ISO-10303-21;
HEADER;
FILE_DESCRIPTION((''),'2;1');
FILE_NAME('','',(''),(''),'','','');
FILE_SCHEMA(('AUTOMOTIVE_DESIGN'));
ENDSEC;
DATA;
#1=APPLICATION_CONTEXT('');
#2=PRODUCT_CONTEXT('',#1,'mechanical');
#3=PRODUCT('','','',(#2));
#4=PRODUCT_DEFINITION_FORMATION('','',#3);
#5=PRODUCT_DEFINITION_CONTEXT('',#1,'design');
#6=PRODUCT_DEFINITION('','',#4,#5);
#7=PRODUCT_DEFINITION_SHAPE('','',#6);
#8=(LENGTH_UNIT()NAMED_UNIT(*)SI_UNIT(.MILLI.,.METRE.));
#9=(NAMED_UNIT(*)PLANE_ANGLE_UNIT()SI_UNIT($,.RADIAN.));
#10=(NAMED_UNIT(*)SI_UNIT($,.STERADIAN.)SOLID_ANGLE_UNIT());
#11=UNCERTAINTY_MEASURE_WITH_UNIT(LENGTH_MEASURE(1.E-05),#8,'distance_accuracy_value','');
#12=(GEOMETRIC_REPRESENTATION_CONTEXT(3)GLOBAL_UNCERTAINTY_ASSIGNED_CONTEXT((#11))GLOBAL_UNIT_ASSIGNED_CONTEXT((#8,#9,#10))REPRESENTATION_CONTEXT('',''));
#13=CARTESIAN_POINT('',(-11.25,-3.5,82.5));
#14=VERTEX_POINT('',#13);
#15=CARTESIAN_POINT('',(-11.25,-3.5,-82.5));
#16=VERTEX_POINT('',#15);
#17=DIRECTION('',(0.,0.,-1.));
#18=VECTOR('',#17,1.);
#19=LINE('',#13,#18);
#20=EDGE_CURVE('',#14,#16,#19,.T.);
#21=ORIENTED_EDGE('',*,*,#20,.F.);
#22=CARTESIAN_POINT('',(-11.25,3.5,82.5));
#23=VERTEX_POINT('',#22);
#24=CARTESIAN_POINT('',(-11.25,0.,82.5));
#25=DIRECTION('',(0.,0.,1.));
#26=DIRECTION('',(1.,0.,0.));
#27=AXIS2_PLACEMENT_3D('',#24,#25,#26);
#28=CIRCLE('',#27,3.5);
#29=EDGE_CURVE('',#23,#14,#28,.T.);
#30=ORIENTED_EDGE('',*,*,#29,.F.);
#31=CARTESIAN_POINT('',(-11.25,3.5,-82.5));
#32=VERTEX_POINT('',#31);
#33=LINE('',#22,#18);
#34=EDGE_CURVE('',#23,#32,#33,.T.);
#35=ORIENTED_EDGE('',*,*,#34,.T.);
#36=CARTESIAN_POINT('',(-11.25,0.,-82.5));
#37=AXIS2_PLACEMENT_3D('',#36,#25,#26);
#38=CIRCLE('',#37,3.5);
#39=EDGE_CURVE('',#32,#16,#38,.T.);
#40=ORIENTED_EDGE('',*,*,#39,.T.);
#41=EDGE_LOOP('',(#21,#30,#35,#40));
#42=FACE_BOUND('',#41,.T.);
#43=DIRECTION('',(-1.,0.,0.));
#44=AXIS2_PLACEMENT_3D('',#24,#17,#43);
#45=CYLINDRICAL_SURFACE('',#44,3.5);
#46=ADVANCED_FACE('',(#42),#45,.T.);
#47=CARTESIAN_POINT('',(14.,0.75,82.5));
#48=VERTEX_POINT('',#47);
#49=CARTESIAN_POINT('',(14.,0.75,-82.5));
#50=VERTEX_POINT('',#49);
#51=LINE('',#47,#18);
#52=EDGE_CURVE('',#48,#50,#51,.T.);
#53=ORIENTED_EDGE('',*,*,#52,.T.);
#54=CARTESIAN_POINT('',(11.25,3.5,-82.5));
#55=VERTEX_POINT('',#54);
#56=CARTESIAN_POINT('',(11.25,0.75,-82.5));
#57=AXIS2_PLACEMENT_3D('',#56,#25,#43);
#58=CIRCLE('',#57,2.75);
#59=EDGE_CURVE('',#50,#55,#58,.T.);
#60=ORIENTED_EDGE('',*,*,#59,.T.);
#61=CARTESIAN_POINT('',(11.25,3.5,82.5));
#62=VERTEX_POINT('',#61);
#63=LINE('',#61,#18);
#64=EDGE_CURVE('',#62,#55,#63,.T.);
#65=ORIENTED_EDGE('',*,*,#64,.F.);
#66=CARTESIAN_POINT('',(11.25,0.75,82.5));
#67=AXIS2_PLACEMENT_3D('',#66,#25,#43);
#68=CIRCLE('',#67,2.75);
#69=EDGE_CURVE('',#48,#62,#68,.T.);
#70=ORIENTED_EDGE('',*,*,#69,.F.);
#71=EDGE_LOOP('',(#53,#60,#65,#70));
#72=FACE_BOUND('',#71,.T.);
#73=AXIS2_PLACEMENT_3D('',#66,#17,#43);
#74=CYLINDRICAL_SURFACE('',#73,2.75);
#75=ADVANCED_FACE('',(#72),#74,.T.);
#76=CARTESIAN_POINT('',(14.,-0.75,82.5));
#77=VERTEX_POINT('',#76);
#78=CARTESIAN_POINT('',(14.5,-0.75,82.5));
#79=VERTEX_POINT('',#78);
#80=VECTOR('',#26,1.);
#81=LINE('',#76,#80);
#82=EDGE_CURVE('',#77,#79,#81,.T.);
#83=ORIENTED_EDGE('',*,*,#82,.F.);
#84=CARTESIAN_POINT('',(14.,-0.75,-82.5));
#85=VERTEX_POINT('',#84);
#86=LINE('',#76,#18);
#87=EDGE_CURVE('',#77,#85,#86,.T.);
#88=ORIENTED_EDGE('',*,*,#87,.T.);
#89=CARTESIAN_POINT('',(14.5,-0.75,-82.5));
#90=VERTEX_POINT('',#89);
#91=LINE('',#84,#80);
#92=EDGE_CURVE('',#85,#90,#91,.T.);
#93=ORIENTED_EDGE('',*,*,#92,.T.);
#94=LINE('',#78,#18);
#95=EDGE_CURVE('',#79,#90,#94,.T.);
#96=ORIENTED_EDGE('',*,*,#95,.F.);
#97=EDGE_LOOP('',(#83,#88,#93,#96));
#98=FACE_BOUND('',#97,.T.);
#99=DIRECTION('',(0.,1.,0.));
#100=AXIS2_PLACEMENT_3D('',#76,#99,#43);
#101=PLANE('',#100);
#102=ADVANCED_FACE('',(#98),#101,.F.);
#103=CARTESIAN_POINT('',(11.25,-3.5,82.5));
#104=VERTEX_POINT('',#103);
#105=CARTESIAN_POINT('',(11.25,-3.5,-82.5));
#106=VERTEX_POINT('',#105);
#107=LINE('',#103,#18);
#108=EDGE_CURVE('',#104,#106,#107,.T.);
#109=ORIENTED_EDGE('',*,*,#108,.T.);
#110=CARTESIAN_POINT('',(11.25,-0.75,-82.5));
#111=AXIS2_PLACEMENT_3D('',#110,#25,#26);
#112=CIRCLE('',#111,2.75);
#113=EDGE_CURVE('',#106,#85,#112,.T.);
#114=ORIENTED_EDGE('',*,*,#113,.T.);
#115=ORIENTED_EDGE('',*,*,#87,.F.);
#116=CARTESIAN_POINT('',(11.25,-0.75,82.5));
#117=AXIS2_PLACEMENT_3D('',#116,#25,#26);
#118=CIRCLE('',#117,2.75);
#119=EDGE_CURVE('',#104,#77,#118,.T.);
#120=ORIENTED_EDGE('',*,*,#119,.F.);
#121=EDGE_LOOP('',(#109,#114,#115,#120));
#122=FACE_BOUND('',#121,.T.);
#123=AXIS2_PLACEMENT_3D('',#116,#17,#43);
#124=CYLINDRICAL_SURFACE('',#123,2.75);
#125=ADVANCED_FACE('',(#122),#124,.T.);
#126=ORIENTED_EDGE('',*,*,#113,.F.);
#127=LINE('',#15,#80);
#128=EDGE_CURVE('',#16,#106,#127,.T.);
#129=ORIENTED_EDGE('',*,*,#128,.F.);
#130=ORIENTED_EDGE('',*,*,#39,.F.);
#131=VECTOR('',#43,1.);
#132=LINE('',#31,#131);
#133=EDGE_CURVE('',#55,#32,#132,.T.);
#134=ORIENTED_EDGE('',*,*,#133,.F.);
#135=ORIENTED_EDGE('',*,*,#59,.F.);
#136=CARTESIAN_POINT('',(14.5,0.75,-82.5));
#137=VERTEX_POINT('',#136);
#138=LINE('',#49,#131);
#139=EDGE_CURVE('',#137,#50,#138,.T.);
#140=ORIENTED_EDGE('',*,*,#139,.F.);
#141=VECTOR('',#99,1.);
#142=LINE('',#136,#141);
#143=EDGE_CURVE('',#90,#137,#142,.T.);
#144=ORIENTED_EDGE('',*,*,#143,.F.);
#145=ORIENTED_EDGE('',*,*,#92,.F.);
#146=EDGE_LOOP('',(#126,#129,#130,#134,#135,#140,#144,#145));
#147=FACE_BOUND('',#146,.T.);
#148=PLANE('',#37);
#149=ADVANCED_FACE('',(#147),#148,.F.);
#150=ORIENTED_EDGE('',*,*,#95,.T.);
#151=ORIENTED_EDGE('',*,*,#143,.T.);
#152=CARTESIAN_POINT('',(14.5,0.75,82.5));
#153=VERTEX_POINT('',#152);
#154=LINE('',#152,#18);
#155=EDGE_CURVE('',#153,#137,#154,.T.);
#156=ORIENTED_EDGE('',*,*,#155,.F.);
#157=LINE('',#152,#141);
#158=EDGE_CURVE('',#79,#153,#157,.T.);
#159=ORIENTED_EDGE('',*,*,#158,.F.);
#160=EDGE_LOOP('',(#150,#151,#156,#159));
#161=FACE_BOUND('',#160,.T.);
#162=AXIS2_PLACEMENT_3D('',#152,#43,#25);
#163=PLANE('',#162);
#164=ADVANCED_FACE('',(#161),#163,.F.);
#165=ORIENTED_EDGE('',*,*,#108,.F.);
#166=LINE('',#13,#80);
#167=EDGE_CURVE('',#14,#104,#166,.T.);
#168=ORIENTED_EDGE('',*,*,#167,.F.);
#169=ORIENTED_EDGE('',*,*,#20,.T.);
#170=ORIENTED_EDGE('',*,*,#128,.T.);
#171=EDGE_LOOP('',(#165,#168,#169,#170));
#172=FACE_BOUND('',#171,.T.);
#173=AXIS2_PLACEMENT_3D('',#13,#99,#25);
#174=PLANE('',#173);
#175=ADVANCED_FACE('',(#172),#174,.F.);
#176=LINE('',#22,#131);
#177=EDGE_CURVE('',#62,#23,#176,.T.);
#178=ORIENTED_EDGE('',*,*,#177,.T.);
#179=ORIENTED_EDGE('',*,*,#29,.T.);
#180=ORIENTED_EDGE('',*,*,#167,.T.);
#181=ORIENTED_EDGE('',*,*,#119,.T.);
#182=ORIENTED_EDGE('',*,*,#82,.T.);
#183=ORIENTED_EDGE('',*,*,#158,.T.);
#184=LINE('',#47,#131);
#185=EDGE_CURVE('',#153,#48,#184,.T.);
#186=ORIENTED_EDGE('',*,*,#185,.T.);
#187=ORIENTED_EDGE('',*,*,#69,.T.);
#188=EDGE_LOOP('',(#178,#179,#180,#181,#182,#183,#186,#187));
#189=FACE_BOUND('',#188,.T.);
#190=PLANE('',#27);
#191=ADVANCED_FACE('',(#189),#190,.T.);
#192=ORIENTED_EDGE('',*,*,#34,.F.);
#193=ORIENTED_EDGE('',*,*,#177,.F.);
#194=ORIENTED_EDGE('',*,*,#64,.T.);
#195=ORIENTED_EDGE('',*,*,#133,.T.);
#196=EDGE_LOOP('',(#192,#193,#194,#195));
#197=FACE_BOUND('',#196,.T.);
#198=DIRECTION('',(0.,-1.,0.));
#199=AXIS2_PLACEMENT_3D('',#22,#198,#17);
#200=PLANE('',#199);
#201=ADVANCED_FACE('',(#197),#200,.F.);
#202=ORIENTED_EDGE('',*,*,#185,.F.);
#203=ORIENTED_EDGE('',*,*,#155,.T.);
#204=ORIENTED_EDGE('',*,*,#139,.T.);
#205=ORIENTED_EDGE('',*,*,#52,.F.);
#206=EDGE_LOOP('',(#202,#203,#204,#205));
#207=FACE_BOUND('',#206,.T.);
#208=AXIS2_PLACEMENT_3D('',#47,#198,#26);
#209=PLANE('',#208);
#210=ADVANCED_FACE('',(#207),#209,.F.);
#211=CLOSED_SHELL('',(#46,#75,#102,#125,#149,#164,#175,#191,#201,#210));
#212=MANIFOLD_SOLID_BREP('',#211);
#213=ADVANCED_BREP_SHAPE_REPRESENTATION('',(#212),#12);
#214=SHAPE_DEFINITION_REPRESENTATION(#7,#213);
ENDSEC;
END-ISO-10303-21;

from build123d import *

# Parameters (mm, degrees)
BOSS_EXTRUDE1_DEPTH = 82.5


with BuildPart() as part:
    # Sketch1 → Boss-Extrude1 (new, symmetric)
    with BuildSketch(Plane.XY):
        with BuildLine():
            Line((-11.25, 3.5), (11.25, 3.5))
            ThreePointArc((11.25, 3.5), (13.194543648, 2.694543648), (14, 0.75))
            Line((14, 0.75), (14.5, 0.75))
            Line((14.5, 0.75), (14.5, -0.75))
            Line((14.5, -0.75), (14, -0.75))
            ThreePointArc((14, -0.75), (13.194543648, -2.694543648), (11.25, -3.5))
            Line((11.25, -3.5), (-11.25, -3.5))
            ThreePointArc((-11.25, -3.5), (-14.75, 0), (-11.25, 3.5))
        make_face()
    extrude(amount=BOSS_EXTRUDE1_DEPTH, both=True)


solid = part.part
